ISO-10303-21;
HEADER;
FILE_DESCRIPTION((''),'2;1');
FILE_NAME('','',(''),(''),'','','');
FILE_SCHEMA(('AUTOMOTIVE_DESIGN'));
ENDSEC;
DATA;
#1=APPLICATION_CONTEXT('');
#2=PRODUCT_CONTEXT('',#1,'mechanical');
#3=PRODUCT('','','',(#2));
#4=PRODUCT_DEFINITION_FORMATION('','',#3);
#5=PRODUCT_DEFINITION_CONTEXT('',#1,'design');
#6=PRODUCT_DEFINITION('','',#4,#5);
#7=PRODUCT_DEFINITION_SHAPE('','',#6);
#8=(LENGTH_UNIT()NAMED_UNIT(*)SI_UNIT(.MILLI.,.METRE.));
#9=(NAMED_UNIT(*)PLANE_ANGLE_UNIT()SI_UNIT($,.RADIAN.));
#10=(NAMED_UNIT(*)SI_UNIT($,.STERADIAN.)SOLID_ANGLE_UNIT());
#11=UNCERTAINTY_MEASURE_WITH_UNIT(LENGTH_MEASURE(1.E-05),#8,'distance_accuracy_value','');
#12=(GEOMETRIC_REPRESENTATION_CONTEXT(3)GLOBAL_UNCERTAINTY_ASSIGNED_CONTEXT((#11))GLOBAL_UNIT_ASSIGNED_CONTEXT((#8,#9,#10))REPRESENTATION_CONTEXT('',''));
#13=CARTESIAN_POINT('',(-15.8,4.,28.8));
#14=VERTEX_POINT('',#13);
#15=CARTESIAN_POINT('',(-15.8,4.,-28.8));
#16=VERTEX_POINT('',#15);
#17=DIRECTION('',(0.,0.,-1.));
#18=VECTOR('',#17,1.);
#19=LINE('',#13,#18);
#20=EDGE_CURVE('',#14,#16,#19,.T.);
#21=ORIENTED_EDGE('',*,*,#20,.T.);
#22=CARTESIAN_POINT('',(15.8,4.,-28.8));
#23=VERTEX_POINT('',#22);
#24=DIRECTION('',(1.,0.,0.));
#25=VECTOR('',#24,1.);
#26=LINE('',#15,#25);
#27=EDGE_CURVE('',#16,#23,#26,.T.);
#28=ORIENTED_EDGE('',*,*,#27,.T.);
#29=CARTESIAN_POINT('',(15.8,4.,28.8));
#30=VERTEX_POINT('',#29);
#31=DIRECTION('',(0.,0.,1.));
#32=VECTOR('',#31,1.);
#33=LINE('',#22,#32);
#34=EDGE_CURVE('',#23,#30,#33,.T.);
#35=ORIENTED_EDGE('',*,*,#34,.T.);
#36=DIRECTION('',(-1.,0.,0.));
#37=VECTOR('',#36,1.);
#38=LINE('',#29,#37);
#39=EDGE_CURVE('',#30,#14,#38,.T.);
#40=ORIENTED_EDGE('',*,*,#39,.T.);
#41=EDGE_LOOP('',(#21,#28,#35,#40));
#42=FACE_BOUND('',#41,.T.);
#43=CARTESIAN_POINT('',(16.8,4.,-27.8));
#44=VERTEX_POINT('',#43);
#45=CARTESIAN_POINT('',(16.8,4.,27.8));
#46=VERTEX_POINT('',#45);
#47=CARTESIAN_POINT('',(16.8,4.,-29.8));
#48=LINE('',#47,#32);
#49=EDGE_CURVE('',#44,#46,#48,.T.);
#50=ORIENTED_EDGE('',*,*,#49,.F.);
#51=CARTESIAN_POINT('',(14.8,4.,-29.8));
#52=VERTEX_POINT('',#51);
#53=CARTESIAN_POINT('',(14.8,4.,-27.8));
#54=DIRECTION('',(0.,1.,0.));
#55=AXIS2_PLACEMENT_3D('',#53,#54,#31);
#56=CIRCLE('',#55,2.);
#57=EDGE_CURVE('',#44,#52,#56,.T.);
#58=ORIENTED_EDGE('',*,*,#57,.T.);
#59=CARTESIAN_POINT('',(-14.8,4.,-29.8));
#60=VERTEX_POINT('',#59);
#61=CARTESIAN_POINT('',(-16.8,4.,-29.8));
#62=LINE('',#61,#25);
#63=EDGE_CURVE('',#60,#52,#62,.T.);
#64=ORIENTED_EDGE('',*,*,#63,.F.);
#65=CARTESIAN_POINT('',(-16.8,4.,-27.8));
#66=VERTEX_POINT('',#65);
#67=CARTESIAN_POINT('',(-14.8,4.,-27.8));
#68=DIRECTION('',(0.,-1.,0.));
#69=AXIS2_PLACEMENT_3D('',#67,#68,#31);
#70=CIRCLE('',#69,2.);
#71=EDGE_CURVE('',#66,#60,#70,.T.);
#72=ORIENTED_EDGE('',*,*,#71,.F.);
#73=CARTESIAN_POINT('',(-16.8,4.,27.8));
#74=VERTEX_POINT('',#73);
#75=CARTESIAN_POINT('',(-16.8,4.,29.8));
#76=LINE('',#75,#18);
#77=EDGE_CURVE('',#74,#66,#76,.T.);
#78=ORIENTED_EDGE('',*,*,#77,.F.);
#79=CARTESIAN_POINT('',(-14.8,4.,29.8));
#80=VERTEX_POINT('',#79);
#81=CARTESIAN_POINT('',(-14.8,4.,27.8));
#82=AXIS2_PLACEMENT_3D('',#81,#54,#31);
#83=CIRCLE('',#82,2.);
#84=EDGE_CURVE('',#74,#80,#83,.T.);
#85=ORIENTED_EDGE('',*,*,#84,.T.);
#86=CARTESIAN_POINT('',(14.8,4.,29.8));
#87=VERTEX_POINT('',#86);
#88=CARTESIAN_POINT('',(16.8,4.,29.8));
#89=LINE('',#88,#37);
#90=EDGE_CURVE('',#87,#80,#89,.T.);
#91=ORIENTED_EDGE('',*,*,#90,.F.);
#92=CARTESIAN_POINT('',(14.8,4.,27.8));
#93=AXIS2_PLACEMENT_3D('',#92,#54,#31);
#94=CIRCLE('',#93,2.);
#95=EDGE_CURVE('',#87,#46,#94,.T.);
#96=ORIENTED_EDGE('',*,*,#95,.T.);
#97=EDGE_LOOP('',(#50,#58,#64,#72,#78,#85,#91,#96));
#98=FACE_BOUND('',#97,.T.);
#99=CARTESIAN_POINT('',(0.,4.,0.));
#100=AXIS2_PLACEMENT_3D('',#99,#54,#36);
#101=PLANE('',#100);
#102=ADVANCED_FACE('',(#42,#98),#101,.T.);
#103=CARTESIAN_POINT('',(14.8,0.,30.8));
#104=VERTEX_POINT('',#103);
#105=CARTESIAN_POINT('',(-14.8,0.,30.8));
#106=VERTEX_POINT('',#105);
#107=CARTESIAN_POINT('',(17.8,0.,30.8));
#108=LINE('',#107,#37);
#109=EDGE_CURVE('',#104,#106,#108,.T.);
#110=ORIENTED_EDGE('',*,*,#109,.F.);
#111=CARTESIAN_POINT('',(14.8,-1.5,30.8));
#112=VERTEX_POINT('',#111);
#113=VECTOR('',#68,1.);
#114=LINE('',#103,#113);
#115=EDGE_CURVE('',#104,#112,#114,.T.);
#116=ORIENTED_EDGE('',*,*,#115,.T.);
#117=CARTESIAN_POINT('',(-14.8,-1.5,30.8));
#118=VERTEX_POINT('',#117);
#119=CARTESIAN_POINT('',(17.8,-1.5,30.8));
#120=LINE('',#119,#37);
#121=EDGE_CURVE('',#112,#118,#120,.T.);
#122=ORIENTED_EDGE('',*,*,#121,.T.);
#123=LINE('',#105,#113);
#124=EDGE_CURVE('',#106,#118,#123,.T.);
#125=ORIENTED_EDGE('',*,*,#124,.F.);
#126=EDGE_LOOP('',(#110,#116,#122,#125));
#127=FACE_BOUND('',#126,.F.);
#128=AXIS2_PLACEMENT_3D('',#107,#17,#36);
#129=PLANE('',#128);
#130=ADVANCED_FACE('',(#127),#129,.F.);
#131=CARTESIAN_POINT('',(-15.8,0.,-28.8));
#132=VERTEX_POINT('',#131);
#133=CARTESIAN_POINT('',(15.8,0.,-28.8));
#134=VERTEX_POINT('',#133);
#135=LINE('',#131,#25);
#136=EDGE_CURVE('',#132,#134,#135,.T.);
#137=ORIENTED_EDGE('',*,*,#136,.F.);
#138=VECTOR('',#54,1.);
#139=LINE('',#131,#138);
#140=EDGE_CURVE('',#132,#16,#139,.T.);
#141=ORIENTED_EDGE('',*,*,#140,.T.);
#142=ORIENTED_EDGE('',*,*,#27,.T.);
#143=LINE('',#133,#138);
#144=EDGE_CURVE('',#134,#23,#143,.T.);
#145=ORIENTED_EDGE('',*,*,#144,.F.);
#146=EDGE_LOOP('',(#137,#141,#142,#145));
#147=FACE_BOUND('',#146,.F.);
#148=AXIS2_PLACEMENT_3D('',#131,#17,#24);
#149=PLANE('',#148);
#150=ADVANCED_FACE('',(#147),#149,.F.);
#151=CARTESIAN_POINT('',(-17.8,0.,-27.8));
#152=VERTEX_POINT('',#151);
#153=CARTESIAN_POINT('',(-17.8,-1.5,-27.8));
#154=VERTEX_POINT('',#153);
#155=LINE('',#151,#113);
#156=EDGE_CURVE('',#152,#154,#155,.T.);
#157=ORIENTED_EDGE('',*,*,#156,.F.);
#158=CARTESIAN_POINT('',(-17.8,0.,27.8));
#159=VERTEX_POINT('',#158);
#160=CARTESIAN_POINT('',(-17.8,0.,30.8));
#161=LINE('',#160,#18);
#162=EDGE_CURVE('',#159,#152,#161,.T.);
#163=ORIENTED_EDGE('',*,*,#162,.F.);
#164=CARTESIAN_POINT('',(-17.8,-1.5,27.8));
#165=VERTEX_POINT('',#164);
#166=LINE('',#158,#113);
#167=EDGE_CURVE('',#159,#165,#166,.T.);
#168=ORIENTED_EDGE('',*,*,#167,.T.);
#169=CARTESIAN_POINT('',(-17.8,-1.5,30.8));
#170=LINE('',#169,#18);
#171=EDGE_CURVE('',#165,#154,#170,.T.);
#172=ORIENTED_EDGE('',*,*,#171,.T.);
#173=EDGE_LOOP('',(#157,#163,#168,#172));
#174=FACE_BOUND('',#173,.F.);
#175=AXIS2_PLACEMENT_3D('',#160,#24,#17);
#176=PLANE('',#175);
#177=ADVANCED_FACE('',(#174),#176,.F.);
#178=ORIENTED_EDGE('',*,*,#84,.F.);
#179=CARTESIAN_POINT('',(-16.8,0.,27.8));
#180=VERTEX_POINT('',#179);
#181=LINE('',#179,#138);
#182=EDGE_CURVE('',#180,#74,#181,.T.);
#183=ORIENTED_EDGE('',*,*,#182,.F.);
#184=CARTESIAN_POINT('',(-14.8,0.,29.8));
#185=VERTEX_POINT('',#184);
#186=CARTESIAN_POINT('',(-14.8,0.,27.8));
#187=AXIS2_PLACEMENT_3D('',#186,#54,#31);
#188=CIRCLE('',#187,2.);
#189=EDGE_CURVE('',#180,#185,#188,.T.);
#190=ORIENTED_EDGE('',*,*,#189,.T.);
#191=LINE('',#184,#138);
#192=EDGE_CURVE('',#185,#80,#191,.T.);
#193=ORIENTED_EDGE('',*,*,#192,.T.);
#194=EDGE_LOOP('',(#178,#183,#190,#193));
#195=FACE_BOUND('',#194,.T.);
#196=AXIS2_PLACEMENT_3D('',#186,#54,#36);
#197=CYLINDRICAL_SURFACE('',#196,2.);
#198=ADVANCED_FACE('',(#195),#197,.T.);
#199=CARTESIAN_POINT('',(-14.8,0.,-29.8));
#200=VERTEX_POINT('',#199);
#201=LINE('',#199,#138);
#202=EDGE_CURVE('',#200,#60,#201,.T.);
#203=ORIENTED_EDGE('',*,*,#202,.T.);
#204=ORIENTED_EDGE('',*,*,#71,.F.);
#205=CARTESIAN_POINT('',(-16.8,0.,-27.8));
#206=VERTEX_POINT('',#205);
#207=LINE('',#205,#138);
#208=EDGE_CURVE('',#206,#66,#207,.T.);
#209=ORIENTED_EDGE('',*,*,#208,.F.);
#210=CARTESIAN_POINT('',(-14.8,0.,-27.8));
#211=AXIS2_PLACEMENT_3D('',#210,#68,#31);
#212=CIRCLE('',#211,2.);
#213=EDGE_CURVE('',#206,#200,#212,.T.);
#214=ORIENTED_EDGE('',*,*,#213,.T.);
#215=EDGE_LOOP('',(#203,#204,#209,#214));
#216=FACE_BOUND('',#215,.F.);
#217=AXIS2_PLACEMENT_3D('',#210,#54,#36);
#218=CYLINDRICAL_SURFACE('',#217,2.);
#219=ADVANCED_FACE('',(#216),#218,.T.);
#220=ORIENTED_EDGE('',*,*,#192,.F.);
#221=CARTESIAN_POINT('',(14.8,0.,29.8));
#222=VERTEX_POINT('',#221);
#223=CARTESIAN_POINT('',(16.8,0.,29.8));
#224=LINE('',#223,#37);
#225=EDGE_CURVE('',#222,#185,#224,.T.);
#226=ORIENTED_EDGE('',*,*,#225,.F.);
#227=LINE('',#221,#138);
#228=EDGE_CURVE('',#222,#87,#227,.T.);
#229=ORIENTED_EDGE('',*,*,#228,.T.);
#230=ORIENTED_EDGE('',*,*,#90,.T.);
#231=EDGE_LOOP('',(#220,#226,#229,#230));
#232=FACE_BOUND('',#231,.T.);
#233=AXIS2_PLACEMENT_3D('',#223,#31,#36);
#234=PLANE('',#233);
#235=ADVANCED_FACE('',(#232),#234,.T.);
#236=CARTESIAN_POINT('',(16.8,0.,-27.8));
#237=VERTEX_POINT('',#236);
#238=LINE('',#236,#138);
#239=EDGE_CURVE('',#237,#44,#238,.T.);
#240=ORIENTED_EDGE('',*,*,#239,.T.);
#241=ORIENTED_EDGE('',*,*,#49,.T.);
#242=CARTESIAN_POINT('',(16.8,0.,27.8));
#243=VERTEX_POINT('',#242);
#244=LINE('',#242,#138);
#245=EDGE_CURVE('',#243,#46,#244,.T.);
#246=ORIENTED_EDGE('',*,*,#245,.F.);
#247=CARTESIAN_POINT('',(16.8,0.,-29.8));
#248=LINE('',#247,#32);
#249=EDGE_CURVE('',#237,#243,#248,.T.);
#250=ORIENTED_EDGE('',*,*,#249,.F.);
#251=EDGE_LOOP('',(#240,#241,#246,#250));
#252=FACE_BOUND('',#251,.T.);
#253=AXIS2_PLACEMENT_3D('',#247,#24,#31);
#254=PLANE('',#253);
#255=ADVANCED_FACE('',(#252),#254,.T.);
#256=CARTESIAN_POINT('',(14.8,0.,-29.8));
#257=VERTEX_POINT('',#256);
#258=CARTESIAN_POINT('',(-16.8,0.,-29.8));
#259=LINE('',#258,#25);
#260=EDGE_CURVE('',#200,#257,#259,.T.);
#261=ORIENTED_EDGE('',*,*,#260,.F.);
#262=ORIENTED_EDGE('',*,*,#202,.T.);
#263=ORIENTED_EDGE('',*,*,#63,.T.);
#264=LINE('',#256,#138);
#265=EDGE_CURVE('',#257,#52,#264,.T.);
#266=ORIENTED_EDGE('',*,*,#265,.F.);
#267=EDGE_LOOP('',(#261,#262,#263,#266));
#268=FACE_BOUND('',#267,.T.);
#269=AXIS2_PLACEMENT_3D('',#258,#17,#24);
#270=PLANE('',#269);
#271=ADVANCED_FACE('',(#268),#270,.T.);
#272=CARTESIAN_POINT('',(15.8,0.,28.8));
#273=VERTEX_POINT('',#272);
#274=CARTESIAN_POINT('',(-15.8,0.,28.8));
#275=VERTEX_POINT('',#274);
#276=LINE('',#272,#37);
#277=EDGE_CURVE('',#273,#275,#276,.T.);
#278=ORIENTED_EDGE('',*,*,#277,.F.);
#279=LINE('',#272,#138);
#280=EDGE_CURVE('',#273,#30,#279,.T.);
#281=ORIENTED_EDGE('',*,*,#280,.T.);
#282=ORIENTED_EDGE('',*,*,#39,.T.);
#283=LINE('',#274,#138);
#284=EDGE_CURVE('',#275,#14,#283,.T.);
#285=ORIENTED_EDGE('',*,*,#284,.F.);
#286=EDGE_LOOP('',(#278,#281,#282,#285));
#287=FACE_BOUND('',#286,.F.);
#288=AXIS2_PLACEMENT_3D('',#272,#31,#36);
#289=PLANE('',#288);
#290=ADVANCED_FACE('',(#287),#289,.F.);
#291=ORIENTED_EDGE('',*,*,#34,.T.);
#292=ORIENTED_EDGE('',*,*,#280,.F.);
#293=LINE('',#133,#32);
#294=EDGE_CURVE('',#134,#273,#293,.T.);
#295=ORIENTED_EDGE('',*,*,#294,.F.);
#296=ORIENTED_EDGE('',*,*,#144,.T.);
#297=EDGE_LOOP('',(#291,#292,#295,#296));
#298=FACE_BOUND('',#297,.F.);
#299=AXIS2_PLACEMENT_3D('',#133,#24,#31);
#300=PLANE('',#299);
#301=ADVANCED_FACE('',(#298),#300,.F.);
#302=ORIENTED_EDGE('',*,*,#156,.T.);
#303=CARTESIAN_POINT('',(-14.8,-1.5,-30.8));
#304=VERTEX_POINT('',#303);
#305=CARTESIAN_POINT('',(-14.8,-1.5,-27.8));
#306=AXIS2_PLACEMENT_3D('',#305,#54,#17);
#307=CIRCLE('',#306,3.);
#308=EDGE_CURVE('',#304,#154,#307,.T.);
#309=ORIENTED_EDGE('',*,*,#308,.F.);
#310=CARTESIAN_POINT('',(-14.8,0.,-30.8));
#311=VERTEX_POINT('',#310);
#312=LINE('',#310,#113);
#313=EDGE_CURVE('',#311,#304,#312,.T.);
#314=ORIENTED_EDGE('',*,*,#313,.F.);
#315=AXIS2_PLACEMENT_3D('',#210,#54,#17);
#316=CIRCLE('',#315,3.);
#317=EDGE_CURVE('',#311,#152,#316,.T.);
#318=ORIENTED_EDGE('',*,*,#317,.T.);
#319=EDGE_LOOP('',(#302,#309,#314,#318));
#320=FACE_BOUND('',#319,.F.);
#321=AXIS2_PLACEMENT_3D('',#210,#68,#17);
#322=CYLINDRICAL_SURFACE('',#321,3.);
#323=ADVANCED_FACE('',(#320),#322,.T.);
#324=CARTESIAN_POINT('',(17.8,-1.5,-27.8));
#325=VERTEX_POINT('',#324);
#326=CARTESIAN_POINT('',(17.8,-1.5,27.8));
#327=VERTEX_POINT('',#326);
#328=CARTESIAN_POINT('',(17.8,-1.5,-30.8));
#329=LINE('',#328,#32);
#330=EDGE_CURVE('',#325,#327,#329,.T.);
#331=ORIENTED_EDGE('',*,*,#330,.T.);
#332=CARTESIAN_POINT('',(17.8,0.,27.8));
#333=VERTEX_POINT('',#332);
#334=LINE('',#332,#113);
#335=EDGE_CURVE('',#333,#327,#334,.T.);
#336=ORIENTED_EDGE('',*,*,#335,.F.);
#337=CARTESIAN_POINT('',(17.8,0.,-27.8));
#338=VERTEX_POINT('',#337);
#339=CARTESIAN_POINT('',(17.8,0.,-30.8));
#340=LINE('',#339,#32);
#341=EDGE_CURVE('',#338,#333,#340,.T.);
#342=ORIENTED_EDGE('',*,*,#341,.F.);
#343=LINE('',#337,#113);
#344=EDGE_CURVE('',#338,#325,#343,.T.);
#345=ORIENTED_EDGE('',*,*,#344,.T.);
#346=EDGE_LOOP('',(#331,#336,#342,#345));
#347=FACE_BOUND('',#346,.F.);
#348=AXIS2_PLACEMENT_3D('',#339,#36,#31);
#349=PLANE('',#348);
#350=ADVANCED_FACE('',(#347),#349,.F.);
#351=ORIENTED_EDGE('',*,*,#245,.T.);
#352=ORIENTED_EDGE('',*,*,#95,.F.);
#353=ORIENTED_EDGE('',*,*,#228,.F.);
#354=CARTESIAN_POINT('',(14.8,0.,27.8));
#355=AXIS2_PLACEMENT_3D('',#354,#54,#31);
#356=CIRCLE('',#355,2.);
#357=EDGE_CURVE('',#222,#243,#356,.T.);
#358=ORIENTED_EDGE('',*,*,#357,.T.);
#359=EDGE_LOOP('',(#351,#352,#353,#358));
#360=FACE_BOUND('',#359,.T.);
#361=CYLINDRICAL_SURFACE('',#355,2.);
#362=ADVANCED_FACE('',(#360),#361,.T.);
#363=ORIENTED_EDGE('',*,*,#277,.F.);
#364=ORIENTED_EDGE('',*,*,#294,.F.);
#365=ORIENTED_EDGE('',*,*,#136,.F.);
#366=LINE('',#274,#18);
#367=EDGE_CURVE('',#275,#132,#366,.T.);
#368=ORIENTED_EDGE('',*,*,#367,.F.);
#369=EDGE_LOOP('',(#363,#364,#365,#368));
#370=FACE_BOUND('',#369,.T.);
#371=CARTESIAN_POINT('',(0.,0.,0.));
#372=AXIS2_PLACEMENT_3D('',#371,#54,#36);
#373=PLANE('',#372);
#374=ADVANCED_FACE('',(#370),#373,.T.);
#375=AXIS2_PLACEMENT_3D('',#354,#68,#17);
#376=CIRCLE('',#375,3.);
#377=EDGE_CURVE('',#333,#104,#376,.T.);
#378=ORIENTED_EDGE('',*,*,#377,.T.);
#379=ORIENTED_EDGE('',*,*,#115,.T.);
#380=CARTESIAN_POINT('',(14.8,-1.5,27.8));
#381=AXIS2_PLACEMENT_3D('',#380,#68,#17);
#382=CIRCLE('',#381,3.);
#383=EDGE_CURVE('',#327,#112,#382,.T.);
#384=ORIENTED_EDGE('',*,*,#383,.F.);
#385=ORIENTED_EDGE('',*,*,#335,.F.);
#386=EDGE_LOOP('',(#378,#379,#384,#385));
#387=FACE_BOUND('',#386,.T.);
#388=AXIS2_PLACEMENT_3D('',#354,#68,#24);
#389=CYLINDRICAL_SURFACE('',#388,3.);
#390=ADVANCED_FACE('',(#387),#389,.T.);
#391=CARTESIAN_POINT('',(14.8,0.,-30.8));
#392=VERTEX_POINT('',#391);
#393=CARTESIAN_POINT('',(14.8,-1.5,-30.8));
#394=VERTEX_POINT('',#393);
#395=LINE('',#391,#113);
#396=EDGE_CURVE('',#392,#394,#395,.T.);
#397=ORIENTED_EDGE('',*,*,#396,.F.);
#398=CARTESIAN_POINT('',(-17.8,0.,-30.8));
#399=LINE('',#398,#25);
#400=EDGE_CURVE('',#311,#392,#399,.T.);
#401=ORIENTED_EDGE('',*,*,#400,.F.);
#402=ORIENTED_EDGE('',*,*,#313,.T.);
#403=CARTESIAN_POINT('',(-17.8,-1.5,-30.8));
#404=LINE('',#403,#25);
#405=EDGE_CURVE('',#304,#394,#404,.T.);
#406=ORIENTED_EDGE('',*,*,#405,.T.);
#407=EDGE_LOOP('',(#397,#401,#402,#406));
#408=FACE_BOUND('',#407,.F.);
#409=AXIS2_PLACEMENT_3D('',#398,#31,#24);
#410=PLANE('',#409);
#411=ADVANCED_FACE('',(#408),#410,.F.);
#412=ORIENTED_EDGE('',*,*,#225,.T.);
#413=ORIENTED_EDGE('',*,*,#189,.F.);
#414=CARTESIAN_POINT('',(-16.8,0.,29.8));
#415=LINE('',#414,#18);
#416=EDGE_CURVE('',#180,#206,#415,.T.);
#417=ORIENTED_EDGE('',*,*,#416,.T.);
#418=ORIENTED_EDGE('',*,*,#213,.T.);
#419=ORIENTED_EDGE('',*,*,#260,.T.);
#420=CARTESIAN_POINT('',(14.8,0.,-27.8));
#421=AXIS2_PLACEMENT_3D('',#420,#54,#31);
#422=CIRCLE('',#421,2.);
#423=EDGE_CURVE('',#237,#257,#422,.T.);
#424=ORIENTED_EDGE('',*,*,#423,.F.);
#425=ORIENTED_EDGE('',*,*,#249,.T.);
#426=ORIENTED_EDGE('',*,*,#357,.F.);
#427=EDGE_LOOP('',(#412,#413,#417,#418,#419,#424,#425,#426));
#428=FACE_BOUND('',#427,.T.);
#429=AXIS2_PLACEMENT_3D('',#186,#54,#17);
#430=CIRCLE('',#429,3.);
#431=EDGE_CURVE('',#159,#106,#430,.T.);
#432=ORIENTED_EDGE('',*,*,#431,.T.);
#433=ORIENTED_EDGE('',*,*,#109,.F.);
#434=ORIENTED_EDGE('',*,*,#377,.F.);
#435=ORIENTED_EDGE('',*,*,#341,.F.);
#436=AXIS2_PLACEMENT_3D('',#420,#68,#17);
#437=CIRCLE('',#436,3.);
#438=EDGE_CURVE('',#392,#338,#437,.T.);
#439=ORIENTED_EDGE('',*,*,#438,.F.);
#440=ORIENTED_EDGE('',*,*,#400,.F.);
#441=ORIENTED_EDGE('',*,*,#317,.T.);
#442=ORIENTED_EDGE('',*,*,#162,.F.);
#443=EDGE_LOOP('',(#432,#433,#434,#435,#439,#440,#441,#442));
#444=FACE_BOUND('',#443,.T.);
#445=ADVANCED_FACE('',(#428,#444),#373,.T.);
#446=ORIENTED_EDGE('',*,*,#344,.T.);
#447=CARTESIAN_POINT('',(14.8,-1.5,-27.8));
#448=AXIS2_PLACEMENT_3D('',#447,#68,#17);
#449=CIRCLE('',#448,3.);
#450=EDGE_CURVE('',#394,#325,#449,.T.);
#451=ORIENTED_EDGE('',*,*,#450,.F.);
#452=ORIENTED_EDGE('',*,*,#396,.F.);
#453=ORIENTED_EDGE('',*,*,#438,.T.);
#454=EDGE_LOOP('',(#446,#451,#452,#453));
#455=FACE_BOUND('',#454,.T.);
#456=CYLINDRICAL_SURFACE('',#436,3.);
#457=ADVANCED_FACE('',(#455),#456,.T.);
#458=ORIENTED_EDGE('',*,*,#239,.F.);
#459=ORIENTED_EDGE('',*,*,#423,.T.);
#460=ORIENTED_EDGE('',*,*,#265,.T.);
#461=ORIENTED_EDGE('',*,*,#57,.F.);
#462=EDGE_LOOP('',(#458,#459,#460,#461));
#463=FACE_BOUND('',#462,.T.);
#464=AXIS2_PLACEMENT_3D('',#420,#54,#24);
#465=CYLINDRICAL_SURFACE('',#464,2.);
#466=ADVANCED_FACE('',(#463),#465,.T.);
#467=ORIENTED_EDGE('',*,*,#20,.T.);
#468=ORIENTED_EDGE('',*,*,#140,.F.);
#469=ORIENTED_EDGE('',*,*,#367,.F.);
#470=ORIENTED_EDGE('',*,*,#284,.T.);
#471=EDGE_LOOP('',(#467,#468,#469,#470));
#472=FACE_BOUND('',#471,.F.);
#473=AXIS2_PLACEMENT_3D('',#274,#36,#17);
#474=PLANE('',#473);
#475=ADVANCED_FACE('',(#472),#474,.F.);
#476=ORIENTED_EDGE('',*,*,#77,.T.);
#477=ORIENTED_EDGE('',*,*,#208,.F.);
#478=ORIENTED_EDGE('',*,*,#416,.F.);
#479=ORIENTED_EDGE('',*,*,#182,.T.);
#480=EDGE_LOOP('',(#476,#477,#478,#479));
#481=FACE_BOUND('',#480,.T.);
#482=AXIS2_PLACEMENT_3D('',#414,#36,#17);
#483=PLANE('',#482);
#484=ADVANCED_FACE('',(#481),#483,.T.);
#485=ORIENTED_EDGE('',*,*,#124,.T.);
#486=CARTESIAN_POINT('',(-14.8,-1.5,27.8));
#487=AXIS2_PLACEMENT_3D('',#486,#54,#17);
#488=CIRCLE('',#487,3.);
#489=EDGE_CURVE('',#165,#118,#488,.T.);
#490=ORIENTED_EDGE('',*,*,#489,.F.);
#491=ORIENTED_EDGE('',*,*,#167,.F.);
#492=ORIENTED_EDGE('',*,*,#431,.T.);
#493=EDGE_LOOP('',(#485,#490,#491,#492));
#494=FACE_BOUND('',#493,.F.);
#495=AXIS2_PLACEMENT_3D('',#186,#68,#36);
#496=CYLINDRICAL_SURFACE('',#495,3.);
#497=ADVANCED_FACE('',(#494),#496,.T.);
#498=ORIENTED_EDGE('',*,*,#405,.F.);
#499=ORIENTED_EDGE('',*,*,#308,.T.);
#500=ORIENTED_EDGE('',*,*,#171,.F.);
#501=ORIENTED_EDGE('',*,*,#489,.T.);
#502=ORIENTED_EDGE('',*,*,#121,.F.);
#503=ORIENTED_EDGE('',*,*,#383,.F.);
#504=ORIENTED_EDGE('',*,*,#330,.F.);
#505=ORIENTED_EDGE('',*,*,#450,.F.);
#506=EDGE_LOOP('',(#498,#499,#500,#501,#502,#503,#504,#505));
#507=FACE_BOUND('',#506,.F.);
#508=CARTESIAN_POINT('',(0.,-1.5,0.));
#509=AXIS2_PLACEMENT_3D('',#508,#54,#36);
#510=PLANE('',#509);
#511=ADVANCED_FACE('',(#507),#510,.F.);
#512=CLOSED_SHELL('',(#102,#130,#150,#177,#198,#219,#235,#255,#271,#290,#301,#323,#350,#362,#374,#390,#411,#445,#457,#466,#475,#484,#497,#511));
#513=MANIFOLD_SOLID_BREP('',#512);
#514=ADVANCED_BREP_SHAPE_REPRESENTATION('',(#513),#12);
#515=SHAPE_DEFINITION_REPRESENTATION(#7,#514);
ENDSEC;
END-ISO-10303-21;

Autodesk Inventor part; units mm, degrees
ref_plane "YZ Plane" through (0, 0, 0) normal (1, 0, 0) x (0, 1, 0)
ref_plane "XZ Plane" through (0, 0, 0) normal (0, 1, 0) x (-1, 0, 0)
ref_plane "XY Plane" through (0, 0, 0) normal (0, 0, 1) x (1, 0, 0)
sketch "スケッチ1" plane through (0, 0, 0) normal (0, 1, 0) x (-1, 0, 0)
  line L0 (15.5, -28.5) -> (-15.5, -28.5)
  line L1 (-15.5, -28.5) -> (-15.5, 28.5)
  line L2 (-15.5, 28.5) -> (15.5, 28.5)
  line L3 (15.5, 28.5) -> (15.5, -28.5)
  line L4 (15.5, -28.5) -> (-15.5, 28.5) construction
  line L5 (-15.5, -28.5) -> (15.5, 28.5) construction
  line L6 (15.8, -28.8) -> (-15.8, -28.8)
  line L7 (-15.8, -28.8) -> (-15.8, 28.8)
  line L8 (-15.8, 28.8) -> (15.8, 28.8)
  line L9 (15.8, 28.8) -> (15.8, -28.8)
  line L10 (16.8, -29.8) -> (-16.8, -29.8)
  line L11 (-16.8, -29.8) -> (-16.8, 29.8)
  line L12 (-16.8, 29.8) -> (16.8, 29.8)
  line L13 (16.8, 29.8) -> (16.8, -29.8)
  line L14 (17.8, -30.8) -> (-17.8, -30.8)
  line L15 (-17.8, -30.8) -> (-17.8, 30.8)
  line L16 (-17.8, 30.8) -> (17.8, 30.8)
  line L17 (17.8, 30.8) -> (17.8, -30.8)
  point P0 (0, 0)
  dimension "d0" = 31
  dimension "d1" = 57
  dimension "d2" = 0.3
  dimension "d3" = 1
  dimension "d4" = 1
extrude "押し出し1" add sketch "スケッチ1" against normal blind 1.5 contours L0 L1 L2 L3 | L6 L7 L8 L9 | L10 L11 L12 L13 | L14 L15 L16 L17
extrude "押し出し2" add sketch "スケッチ1" along normal blind 4 contours L10 L11 L12 L13
fillet "フィレット1" radius 2 4 edges at (16.8, 2, 29.8) (16.8, 2, -29.8) (-16.8, 2, -29.8) (-16.8, 2, 29.8)
fillet "フィレット2" radius 3 4 edges at (-17.8, -0.75, 30.8) (-17.8, -0.75, -30.8) (17.8, -0.75, 30.8) (17.8, -0.75, -30.8)
sketch "スケッチ2" plane through (0, 0, 0) normal (0, 1, 0) x (1, 0, 0)
  point P0 (0, 0)
